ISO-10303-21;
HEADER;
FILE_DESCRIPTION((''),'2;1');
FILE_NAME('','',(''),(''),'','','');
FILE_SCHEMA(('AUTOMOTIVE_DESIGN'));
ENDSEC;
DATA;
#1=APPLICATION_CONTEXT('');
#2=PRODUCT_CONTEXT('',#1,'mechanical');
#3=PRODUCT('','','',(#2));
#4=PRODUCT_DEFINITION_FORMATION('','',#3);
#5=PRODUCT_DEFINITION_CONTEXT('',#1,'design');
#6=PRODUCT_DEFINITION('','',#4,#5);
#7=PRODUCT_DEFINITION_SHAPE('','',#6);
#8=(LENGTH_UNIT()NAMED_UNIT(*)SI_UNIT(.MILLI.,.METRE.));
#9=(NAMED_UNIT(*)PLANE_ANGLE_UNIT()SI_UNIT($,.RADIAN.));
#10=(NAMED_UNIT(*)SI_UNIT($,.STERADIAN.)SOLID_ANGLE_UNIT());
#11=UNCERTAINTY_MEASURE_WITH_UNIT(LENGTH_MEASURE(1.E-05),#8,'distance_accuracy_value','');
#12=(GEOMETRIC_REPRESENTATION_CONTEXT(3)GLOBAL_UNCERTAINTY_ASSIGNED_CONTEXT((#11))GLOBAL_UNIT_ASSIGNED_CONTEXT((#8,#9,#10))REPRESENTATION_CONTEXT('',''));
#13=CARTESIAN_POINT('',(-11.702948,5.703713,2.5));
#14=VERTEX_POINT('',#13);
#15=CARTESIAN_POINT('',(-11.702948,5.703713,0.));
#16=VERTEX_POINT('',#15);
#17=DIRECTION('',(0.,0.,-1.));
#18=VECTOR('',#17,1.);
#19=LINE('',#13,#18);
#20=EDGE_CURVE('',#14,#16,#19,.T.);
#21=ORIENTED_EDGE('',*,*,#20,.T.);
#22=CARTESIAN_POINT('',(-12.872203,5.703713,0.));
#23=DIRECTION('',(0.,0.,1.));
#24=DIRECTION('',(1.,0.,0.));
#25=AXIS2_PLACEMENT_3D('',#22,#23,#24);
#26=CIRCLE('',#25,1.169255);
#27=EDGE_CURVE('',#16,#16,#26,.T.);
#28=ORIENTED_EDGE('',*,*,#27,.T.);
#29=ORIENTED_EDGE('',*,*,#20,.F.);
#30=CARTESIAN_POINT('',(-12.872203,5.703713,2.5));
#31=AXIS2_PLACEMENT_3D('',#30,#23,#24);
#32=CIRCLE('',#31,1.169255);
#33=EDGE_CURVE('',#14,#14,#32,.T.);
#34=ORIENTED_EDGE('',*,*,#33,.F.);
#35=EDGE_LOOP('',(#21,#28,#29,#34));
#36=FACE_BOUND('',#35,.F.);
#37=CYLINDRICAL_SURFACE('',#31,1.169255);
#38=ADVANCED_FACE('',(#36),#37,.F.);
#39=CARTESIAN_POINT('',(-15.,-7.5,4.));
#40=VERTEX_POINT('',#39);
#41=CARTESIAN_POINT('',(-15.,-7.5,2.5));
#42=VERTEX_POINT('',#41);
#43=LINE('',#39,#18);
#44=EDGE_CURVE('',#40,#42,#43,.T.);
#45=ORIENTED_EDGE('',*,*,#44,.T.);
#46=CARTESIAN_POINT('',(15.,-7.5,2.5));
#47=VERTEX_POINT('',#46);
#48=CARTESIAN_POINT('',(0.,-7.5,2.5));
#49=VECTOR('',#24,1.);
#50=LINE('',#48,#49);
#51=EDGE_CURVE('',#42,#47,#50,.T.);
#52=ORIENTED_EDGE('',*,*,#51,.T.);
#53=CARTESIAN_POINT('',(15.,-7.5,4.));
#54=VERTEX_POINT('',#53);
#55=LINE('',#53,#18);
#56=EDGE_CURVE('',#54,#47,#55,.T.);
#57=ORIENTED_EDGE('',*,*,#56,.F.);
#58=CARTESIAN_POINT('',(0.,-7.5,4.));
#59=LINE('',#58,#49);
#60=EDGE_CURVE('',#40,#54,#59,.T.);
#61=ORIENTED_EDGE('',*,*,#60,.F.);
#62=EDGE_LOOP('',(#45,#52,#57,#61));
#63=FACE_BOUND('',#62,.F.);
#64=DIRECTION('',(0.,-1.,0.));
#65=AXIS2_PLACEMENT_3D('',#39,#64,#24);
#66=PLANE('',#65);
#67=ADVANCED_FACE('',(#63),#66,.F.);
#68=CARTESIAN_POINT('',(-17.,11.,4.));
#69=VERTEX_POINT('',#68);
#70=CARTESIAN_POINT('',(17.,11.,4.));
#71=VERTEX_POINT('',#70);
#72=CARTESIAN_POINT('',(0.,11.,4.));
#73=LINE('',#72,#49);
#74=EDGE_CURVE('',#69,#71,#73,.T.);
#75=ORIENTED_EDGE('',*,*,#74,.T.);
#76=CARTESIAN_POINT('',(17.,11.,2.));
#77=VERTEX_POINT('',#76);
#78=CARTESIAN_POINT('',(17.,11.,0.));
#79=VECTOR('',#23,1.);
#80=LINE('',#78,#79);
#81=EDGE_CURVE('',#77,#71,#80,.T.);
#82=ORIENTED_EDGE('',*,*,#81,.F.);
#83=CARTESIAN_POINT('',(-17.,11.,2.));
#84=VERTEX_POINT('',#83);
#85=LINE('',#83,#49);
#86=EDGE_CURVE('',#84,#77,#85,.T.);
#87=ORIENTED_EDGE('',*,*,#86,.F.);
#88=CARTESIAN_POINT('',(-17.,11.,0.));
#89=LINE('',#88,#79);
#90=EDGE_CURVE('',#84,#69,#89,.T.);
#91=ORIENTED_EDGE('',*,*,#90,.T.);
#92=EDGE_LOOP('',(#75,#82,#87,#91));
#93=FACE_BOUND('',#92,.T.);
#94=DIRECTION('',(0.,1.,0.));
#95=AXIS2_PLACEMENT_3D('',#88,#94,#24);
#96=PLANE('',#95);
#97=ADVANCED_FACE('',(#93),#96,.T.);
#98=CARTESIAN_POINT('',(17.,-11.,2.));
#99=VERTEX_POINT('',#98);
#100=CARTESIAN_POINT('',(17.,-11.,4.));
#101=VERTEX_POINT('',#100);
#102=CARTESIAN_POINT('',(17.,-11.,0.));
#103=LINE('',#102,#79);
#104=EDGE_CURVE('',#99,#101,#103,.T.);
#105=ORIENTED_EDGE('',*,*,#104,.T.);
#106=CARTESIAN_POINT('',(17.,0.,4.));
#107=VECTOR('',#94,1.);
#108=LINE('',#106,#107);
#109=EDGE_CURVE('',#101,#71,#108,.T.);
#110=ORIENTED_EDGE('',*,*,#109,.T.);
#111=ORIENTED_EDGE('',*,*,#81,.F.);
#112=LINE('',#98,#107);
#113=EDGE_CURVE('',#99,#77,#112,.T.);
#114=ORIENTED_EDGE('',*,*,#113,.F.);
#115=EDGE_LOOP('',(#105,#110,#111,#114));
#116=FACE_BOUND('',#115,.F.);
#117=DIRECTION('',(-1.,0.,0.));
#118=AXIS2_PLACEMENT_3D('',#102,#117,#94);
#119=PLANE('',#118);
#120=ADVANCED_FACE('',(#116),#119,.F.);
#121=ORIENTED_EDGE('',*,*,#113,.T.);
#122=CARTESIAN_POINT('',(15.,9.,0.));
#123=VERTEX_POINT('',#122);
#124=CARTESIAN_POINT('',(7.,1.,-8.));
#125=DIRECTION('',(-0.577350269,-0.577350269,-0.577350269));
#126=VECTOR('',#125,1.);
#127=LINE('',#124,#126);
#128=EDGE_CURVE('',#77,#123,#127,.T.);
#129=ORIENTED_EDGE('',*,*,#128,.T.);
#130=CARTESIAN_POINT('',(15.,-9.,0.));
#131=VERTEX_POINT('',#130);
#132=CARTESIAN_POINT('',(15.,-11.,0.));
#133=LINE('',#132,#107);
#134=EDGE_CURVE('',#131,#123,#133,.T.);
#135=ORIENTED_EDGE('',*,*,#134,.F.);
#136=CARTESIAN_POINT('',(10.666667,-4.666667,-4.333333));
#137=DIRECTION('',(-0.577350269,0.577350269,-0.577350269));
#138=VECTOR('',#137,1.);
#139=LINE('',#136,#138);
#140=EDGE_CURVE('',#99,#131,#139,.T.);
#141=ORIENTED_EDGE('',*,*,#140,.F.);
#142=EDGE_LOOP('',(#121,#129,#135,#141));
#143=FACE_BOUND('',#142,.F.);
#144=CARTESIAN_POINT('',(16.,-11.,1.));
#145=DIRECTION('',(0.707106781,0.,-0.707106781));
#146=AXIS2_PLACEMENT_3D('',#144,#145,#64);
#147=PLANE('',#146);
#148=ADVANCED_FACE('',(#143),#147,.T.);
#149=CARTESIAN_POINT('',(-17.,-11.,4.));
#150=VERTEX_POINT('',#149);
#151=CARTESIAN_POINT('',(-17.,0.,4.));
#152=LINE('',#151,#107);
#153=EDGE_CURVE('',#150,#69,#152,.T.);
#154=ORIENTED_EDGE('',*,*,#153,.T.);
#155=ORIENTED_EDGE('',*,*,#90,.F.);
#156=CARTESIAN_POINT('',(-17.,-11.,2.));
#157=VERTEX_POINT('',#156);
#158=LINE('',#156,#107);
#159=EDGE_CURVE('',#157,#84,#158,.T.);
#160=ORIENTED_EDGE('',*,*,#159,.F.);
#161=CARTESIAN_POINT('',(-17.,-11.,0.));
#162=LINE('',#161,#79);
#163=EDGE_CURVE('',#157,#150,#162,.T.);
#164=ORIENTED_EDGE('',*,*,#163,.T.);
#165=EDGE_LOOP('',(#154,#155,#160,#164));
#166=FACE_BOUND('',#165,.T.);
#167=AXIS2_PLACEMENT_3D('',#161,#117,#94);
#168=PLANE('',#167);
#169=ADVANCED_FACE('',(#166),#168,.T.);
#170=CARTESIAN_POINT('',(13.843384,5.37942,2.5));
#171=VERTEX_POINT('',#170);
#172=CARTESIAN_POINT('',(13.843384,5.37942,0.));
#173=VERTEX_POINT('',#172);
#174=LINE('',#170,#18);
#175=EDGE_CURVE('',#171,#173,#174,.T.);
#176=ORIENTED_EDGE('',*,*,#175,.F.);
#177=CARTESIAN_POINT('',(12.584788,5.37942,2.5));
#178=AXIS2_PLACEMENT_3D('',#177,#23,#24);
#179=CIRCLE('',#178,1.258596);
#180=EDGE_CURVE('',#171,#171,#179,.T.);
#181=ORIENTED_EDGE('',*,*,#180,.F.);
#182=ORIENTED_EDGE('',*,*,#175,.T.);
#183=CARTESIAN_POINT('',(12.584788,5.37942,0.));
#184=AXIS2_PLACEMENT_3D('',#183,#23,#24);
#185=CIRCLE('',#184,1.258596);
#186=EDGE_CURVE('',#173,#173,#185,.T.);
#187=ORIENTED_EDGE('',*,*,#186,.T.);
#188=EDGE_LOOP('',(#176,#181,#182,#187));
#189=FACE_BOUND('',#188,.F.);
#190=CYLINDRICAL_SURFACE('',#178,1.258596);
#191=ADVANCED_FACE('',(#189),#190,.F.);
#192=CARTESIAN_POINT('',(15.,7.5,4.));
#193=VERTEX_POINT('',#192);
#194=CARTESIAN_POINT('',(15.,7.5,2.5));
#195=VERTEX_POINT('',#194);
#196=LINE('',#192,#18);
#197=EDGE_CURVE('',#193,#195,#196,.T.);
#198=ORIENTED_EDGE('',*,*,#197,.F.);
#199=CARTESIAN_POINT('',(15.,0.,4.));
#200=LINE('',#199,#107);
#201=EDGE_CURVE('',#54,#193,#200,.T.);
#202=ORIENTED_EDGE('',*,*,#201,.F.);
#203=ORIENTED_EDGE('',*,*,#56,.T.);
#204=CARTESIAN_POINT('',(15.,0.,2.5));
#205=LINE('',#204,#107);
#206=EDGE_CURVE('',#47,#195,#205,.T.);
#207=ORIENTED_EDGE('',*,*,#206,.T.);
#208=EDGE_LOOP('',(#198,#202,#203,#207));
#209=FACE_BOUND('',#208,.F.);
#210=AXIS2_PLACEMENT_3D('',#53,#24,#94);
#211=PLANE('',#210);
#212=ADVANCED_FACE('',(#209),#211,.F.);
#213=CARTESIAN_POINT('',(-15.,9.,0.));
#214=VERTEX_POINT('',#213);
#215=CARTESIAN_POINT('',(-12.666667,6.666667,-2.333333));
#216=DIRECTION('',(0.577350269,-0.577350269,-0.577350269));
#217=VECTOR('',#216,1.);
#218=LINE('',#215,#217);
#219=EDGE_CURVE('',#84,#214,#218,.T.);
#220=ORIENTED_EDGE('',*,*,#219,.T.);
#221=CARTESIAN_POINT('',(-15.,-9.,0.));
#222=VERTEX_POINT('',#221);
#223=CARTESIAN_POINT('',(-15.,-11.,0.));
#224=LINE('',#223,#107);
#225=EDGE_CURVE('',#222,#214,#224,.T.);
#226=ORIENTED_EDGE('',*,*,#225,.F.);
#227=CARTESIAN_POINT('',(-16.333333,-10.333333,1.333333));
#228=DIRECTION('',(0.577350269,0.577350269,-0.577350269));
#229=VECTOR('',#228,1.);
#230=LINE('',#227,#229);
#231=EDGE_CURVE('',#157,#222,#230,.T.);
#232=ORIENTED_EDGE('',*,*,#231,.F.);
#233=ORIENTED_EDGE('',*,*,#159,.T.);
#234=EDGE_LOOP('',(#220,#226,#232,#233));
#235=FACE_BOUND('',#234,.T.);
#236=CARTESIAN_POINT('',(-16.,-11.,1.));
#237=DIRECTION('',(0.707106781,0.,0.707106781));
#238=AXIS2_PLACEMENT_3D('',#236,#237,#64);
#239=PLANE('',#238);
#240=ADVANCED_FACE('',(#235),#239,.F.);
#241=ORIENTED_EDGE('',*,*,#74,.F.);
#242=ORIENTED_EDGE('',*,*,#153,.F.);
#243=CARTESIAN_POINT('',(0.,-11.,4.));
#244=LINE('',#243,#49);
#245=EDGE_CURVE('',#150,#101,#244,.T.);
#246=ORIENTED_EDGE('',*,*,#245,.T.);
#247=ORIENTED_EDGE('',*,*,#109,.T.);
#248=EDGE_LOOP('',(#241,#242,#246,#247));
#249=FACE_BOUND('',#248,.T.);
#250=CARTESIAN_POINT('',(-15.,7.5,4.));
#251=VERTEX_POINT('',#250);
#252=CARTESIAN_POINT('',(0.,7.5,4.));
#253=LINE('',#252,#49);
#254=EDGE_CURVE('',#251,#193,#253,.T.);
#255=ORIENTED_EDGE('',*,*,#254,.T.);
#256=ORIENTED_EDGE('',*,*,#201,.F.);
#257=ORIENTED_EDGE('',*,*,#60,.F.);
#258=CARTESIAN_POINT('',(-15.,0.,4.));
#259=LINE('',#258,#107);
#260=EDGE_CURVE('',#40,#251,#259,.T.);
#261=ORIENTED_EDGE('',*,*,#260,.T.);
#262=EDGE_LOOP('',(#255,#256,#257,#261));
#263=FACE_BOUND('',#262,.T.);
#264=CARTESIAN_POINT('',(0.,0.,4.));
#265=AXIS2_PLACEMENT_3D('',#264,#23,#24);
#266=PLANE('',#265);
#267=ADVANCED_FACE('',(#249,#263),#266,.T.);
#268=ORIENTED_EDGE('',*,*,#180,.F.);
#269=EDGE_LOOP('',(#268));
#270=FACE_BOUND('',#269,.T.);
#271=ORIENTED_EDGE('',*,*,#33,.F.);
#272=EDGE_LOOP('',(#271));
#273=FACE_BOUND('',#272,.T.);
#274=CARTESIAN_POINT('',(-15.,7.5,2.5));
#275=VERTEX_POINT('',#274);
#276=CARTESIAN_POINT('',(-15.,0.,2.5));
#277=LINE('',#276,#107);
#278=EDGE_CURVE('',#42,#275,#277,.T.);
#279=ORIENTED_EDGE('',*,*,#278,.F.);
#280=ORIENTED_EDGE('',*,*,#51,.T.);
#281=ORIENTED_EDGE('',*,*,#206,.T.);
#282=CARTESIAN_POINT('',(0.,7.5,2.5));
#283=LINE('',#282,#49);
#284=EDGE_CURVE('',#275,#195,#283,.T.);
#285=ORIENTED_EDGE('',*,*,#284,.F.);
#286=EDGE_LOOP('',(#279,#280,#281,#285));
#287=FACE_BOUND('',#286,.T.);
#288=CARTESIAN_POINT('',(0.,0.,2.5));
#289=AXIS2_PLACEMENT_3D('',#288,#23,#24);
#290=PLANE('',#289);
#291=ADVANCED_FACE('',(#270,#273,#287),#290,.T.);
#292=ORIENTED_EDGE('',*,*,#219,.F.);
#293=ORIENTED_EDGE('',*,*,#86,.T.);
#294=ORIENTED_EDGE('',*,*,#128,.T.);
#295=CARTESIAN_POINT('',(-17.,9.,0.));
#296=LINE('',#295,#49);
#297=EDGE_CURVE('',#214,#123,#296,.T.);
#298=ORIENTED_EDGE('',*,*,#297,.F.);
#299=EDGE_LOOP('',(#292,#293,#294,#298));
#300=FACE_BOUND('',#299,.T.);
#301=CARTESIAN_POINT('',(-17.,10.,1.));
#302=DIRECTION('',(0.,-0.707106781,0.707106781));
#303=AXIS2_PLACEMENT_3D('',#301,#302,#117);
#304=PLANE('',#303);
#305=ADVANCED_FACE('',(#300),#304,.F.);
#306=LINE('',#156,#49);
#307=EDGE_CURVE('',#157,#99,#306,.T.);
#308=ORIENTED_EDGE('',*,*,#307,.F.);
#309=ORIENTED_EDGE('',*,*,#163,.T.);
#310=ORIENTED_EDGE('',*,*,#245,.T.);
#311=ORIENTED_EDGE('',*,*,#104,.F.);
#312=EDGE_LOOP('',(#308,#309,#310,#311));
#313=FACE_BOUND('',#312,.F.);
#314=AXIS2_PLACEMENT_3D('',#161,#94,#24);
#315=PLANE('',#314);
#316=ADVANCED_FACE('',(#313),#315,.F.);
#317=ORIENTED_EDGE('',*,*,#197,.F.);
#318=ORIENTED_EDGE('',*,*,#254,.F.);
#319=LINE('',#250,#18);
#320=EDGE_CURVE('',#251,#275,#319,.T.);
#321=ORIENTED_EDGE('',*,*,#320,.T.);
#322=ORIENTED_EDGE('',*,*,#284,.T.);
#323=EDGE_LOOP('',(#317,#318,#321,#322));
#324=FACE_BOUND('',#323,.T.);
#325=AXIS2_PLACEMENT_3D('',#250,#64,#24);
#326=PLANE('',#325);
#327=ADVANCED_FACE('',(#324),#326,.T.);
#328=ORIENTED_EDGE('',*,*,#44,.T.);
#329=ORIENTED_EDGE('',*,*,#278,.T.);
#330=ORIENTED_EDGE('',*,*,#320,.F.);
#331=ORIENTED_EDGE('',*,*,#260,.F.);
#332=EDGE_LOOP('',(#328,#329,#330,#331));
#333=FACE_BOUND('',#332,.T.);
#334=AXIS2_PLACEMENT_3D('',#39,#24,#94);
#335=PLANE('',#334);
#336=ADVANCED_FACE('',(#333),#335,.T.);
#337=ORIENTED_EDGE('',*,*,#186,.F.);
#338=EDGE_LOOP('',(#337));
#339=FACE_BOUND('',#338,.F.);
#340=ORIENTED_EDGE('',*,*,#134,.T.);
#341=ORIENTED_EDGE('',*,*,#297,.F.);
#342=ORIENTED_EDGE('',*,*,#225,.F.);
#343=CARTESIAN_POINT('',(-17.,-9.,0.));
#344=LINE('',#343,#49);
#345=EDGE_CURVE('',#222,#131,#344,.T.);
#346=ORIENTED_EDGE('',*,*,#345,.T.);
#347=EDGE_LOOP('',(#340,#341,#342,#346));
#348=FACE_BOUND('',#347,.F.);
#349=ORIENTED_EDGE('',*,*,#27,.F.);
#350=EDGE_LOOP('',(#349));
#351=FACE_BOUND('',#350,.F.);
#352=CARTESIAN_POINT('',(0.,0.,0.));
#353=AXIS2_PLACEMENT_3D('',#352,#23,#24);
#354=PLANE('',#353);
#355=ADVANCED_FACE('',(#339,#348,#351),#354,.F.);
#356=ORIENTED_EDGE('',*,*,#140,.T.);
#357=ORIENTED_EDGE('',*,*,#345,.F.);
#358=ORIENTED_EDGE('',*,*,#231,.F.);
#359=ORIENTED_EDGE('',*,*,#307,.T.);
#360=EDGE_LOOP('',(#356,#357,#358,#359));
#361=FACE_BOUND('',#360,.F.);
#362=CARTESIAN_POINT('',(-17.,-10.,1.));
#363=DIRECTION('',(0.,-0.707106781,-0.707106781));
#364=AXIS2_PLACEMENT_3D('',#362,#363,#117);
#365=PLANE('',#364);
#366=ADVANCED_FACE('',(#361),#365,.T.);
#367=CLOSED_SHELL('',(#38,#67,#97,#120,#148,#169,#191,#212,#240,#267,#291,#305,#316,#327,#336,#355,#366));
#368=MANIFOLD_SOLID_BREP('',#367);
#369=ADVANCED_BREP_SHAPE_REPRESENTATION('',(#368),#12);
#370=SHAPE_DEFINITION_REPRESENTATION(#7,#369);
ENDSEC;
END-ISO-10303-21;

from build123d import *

# Parameters (mm, degrees)
F0_W     = 34
F0_H     = 22
F1_DEPTH = 4
F2_SIZE  = 2
F3_W     = 30
F3_H     = 15
F4_DEPTH = 1.5
F5_R     = 1.169255
F5_R_2   = 1.258596
F6_DEPTH = 25


with BuildPart() as f1:
    # F0 (on Top) → F1 (new body)
    with BuildSketch(Plane.XY):
        Rectangle(F0_W, F0_H)
    extrude(amount=F1_DEPTH)

    # F2
    f2_edges = [f1.edges().sort_by_distance(p)[0] for p in [
        (-17, 0, 0),
        (17, 0, 0),
        (0, 11, 0),
        (0, -11, 0),
    ]]
    chamfer(f2_edges, length=F2_SIZE)

    # F3 (on face) → F4 (cut)
    with BuildSketch(Plane.XY.offset(4)):
        Rectangle(F3_W, F3_H)
    extrude(amount=-F4_DEPTH, mode=Mode.SUBTRACT)

    # F5 (on face) → F6 (cut)
    with BuildSketch(Plane.XY.offset(2.5)):
        with Locations((-12.872203, 5.703713)):
            Circle(F5_R)
        with Locations((12.584788, 5.37942)):
            Circle(F5_R_2)
    extrude(amount=-F6_DEPTH, mode=Mode.SUBTRACT)


solid = f1.part
